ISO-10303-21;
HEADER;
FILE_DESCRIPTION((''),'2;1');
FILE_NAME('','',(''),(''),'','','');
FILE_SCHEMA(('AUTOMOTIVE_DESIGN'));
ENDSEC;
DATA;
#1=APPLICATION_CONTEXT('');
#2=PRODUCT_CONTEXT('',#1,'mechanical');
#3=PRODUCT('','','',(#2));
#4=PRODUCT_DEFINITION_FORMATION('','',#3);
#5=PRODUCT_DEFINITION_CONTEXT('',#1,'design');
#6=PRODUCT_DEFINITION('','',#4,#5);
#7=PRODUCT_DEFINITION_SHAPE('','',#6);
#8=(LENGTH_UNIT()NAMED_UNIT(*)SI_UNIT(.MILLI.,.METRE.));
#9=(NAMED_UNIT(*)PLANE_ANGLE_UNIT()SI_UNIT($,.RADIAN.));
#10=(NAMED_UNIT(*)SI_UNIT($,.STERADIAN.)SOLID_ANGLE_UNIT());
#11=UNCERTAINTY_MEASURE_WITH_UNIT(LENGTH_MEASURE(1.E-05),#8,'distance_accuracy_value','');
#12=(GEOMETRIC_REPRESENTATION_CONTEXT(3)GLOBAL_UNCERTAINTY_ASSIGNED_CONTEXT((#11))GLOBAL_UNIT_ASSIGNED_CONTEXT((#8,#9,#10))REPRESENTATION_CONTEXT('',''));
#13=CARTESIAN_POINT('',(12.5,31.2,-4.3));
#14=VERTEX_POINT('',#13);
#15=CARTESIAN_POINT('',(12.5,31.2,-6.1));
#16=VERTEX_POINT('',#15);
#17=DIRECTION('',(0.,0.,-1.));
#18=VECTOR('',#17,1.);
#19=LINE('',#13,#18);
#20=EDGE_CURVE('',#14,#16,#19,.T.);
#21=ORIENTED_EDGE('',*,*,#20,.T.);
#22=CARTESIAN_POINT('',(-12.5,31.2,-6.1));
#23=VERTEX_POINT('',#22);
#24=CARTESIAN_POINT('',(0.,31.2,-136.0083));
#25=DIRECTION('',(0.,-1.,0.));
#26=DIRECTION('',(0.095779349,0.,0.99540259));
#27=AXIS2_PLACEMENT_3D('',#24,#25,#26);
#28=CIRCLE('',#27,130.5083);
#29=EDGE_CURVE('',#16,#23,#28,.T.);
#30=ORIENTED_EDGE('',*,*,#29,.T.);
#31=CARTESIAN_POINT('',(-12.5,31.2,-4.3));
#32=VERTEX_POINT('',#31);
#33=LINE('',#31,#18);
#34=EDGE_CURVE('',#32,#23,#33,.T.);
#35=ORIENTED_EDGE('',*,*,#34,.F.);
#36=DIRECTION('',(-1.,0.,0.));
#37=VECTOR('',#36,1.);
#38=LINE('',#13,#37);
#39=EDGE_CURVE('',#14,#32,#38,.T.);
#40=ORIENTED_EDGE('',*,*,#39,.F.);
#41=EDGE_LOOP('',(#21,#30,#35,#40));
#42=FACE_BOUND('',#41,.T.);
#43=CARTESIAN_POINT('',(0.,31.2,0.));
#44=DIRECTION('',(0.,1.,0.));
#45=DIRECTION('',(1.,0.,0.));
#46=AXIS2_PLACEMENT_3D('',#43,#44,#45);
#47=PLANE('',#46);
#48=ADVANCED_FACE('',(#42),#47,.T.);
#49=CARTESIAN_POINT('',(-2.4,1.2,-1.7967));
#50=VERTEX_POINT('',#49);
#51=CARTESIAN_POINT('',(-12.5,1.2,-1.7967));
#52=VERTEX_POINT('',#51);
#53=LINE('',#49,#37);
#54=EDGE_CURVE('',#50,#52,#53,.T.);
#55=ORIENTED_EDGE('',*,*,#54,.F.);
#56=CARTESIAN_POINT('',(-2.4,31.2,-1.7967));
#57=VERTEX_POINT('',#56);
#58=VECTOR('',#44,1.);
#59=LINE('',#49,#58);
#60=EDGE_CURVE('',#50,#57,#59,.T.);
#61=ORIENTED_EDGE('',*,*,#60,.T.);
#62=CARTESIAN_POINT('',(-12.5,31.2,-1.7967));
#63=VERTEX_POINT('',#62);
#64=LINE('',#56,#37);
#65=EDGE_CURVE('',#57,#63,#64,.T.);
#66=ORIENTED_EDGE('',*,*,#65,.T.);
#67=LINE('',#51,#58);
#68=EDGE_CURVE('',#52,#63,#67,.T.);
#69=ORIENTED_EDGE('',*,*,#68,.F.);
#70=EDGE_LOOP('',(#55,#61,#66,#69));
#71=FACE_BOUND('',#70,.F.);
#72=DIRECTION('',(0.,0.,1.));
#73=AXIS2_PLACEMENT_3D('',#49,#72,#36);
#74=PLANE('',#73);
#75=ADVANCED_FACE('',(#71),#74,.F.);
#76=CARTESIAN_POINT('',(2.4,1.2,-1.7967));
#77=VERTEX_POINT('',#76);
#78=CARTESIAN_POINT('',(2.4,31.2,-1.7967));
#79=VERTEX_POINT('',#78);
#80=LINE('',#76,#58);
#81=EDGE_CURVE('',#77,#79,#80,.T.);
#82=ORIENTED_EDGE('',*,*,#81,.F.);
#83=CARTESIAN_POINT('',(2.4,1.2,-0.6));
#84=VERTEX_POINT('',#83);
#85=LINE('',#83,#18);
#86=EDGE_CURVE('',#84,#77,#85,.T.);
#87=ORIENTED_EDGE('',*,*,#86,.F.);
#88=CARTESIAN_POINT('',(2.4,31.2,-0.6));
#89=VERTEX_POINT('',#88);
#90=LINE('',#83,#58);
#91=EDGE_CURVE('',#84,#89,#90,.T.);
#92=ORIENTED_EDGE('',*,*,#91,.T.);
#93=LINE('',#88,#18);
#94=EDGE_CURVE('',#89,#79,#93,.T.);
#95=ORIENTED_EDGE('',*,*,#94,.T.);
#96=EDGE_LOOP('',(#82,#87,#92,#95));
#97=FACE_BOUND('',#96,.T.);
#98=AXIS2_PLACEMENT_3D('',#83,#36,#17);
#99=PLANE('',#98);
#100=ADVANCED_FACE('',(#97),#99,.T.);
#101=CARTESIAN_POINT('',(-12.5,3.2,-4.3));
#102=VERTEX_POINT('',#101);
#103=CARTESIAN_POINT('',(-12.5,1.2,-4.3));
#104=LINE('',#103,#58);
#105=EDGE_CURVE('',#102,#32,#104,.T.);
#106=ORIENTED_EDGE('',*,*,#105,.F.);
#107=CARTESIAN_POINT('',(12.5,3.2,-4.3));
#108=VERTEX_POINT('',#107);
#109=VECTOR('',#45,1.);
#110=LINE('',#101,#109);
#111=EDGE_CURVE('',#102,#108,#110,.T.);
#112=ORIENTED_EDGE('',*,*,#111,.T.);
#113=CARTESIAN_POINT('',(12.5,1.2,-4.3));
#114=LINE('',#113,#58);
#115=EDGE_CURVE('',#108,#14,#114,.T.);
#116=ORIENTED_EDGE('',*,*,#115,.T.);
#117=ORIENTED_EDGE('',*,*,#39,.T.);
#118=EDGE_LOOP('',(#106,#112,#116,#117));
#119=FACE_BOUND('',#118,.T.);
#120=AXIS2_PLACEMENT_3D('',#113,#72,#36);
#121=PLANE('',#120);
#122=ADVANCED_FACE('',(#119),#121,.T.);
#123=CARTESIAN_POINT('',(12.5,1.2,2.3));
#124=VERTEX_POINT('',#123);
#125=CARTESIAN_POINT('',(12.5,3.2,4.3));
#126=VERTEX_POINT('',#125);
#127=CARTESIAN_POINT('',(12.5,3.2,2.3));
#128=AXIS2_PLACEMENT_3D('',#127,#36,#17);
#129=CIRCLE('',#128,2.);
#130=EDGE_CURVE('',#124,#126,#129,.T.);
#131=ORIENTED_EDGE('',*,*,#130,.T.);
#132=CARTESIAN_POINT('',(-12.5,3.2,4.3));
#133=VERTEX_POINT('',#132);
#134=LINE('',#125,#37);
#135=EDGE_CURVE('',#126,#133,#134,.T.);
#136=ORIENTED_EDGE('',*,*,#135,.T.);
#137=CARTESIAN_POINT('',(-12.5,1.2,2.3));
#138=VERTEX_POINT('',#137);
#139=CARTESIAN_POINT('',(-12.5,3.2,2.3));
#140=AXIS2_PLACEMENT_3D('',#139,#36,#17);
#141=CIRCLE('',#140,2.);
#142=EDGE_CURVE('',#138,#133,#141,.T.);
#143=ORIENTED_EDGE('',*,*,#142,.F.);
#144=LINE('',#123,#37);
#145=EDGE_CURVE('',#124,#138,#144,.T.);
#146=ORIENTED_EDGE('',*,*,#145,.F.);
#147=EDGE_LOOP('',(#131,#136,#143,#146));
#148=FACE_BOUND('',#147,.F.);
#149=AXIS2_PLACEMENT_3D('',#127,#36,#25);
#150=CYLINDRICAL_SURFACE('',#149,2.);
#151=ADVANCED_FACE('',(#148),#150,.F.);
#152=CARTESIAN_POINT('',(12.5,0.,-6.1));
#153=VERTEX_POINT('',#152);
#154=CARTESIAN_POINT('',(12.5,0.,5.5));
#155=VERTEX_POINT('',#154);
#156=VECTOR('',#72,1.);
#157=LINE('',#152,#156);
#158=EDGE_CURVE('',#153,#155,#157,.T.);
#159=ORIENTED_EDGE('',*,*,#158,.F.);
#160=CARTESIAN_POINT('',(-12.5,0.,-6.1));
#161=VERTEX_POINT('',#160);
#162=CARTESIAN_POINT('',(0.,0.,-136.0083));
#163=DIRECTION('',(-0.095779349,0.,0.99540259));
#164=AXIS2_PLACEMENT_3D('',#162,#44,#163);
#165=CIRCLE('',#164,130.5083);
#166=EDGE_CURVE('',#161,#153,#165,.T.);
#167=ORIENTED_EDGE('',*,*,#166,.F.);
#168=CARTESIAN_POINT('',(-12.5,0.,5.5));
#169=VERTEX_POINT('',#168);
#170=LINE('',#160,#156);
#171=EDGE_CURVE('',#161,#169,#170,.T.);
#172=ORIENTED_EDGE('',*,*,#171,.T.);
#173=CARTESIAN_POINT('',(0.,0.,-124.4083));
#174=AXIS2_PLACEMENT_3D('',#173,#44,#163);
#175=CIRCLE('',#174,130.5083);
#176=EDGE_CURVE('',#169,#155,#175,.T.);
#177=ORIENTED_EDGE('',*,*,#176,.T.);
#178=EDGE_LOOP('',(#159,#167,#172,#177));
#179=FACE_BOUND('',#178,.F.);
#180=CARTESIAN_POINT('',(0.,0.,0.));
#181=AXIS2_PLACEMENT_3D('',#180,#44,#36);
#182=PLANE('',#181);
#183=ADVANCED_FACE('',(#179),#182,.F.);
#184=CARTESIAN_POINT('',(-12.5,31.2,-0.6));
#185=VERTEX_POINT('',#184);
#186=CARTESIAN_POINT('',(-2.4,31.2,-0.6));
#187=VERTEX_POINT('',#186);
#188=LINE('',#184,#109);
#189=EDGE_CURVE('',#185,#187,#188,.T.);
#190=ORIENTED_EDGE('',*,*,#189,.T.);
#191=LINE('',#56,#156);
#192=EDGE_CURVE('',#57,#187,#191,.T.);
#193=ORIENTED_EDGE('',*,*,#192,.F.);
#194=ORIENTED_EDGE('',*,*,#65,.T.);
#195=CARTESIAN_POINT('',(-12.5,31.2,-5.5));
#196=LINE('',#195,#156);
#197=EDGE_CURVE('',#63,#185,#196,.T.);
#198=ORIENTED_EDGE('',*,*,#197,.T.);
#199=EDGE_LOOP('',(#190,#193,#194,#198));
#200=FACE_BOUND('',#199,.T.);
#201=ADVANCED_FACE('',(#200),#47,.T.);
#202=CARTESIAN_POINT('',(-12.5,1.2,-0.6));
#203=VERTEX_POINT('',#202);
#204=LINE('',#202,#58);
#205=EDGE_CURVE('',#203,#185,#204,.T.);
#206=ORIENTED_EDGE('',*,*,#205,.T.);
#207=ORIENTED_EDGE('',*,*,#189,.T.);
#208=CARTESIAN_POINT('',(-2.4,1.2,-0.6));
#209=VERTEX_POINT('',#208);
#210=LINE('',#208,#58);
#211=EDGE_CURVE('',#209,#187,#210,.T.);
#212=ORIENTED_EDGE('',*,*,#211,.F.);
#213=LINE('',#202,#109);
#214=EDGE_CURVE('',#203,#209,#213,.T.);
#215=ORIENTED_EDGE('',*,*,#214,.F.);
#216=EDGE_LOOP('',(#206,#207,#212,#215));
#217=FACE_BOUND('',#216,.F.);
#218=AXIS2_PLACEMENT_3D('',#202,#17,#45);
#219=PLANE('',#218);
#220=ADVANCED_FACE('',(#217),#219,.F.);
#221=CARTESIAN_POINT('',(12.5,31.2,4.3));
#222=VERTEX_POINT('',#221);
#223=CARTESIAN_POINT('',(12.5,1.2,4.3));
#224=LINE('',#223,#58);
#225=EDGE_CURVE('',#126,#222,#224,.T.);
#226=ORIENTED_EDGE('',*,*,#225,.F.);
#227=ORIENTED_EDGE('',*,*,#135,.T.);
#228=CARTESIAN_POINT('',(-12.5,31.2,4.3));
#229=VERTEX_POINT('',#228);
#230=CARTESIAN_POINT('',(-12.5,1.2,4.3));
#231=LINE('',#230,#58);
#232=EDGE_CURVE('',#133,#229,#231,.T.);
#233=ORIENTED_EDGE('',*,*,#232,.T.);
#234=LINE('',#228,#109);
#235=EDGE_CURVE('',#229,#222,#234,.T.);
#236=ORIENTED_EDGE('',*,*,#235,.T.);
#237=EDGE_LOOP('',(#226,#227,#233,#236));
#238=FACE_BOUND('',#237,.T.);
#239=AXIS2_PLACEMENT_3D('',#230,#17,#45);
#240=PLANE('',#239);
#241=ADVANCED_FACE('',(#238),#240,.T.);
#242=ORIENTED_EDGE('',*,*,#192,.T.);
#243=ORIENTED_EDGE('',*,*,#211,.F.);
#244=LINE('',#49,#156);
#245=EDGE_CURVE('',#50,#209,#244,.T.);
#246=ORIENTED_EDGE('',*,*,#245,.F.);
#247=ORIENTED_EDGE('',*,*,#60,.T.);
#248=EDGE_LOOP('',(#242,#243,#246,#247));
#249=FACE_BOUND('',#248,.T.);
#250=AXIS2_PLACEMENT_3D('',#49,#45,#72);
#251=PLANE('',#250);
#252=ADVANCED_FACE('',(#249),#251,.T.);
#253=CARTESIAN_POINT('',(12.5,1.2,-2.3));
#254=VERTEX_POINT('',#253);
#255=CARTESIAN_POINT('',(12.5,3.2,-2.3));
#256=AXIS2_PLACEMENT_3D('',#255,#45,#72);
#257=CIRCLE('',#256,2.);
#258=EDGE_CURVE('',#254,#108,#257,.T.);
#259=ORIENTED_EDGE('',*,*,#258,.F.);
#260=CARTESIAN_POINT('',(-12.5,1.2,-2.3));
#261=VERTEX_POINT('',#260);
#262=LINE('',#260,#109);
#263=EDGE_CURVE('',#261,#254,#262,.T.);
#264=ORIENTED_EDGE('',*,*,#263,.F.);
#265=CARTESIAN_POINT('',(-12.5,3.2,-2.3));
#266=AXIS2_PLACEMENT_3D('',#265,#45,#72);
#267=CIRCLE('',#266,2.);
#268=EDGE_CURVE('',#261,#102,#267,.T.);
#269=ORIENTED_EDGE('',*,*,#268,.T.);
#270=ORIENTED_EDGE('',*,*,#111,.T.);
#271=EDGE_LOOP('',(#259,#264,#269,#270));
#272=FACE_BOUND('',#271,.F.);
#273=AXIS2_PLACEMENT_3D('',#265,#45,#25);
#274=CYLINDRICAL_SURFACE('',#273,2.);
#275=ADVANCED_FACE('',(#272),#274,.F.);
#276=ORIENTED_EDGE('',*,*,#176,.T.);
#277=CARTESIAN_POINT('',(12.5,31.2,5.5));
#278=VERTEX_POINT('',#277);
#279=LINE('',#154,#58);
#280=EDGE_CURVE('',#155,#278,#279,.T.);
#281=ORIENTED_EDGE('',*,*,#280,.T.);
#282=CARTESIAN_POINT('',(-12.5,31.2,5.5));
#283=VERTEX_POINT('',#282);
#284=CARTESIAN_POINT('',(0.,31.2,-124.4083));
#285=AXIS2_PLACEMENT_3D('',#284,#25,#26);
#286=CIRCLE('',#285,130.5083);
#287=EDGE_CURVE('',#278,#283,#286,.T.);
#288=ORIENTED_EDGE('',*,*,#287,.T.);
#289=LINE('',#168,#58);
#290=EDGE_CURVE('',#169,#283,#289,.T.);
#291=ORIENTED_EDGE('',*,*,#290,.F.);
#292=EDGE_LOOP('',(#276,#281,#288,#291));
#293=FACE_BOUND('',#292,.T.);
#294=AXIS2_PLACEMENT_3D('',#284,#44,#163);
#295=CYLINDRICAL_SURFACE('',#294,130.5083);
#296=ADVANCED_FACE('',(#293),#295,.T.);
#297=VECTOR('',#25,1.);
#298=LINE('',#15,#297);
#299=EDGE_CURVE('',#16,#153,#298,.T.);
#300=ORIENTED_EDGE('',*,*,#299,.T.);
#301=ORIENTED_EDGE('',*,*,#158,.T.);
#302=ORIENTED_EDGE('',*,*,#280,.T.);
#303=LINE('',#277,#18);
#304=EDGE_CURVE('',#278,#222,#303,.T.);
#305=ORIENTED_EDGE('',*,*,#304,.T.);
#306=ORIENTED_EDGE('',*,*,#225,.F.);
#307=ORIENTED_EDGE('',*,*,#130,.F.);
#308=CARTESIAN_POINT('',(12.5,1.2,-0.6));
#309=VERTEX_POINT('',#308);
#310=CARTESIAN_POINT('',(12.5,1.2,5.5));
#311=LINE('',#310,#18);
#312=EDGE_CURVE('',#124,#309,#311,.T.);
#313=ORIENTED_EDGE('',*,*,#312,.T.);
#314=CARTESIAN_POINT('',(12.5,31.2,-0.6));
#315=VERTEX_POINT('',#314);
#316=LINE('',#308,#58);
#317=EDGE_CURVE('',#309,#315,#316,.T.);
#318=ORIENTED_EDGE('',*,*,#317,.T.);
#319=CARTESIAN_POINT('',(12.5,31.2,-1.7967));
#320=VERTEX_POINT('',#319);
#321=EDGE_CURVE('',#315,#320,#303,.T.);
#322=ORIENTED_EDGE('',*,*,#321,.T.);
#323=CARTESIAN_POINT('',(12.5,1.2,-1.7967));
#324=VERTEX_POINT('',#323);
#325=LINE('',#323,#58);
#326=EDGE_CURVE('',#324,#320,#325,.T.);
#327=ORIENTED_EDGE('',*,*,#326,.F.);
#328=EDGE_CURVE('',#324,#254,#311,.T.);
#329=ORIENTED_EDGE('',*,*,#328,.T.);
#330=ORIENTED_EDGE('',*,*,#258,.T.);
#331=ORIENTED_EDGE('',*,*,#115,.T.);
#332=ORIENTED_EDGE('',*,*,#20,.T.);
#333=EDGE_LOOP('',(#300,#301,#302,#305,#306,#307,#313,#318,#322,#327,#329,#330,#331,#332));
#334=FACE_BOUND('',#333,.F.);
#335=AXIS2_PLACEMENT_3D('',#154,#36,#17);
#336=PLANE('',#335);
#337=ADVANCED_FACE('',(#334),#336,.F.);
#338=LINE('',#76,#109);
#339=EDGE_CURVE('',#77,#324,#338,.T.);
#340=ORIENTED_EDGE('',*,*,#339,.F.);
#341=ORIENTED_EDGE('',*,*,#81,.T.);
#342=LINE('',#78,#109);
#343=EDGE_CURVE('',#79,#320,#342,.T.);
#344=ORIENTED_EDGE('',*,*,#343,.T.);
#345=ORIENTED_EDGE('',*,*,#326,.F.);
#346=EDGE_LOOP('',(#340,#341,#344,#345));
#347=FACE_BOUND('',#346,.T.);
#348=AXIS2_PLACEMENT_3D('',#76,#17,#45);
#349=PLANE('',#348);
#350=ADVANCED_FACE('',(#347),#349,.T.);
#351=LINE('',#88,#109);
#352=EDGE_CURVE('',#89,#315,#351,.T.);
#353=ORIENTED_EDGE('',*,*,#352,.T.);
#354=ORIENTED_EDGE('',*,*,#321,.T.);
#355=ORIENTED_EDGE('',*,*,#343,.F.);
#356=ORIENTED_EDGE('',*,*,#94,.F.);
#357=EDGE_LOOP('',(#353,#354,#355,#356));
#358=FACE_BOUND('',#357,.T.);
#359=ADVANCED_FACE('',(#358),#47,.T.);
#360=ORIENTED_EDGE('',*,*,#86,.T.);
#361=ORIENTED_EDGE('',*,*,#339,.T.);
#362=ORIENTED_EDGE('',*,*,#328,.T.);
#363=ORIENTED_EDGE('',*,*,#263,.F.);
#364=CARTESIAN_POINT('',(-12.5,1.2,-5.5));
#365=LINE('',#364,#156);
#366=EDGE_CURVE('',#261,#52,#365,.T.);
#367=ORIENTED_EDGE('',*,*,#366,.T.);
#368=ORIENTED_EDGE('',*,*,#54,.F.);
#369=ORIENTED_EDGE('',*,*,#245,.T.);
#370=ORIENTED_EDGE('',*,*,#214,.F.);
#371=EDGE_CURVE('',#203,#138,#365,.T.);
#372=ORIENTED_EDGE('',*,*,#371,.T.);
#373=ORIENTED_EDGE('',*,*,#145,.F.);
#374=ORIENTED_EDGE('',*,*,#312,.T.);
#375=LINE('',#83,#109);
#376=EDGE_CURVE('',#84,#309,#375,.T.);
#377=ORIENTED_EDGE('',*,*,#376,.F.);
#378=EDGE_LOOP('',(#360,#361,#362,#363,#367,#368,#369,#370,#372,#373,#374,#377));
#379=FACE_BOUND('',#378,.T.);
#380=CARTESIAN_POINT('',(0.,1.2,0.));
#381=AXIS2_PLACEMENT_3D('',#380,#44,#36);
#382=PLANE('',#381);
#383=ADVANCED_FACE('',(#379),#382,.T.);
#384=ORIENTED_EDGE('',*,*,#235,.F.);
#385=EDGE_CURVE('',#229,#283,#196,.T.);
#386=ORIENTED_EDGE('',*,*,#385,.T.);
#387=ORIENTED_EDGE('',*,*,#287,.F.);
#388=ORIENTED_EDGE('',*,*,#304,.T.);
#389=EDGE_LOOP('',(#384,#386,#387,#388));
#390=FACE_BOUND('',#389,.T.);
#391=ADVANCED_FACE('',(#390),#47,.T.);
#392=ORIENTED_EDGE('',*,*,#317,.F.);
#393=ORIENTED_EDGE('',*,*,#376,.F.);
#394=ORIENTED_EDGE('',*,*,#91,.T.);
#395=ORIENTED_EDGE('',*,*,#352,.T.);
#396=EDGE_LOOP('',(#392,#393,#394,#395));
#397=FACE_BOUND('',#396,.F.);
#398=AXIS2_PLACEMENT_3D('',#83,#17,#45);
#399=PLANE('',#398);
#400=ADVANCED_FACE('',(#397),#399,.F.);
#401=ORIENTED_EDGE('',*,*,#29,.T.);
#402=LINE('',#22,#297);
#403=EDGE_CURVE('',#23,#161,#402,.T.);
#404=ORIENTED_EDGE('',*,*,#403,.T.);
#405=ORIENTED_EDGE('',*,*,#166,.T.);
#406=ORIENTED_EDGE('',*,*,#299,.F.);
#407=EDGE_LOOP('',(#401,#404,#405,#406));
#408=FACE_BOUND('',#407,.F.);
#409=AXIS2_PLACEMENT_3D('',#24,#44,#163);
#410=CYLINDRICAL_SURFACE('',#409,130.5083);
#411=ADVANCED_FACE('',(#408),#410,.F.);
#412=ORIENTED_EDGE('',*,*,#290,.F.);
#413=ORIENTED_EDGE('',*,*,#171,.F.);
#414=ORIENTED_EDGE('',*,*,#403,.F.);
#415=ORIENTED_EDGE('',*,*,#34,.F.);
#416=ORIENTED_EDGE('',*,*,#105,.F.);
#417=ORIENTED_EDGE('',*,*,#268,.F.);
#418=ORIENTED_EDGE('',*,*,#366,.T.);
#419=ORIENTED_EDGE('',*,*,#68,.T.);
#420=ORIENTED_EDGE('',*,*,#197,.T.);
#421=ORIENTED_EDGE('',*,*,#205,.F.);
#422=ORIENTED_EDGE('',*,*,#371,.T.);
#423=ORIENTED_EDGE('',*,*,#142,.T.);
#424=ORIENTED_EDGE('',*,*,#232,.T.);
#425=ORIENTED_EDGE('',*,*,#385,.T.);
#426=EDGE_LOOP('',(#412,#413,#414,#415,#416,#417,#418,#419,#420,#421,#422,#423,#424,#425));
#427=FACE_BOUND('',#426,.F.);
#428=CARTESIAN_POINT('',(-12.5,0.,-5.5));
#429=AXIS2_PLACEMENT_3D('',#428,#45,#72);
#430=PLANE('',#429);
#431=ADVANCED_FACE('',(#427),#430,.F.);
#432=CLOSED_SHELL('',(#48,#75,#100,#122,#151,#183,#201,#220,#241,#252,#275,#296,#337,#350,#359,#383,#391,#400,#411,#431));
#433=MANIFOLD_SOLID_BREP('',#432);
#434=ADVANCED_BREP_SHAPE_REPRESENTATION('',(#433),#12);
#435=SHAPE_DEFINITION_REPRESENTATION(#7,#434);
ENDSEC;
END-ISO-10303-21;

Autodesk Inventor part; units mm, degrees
ref_plane "YZ Plane" through (0, 0, 0) normal (1, 0, 0) x (0, 1, 0)
ref_plane "XZ Plane" through (0, 0, 0) normal (0, 1, 0) x (-1, 0, 0)
ref_plane "XY Plane" through (0, 0, 0) normal (0, 0, 1) x (1, 0, 0)
sketch "Sketch1" plane through (0, 0, 0) normal (0, 1, 0) x (-1, 0, 0)
  line L0 (12.5, 5.5) -> (-12.5, 5.5)
  line L1 (-12.5, 5.5) -> (-12.5, -5.5)
  line L2 (-12.5, -5.5) -> (12.5, -5.5)
  line L3 (12.5, -5.5) -> (12.5, 5.5)
  line L4 (12.5, 5.5) -> (-12.5, -5.5) construction
  line L5 (-12.5, 5.5) -> (12.5, -5.5) construction
  point P0 (0, 0)
  dimension "d0" = 25
  dimension "d1" = 11
extrude "Extrusion1" add sketch "Sketch1" along normal blind 1.2
sketch "Sketch2" plane through (0, 1.2, 0) normal (0, 1, 0) x (1, 0, 0)
  line L0 (-12.5, 5.5) -> (12.5, 5.5)
  line L1 (12.5, 5.5) -> (12.5, 4.3)
  line L2 (12.5, 4.3) -> (-12.5, 4.3)
  line L3 (-12.5, 4.3) -> (-12.5, 5.5)
  line L4 (0, 4.3) -> (0, 1.8)
  line L5 (-12.5, 5.5) -> (-12.5, -5.5) projected
  line L6 (-12.5, 5.5) -> (-12.5, -5.5) projected
  line L7 (0, 0.6) -> (0, -4.3)
  line L8 (-12.5, -4.3) -> (12.5, -4.3)
  line L9 (12.5, -5.5) -> (12.5, -4.3)
  line L10 (-12.5, -4.3) -> (-12.5, -5.5)
  line L11 (-12.5, -5.5) -> (12.5, -5.5)
  line L12 (-2.4, 1.7967) -> (-2.4, 0.6)
  line L13 (-2.4, 0.6) -> (2.4, 0.6)
  line L14 (2.4, 0.6) -> (2.4, 1.7967)
  line L15 (-2.4, 1.7967) -> (2.4, 0.6) construction
  line L16 (-2.4, 0.6) -> (2.4, 1.7967) construction
  line L17 (-2.4, 1.7967) -> (-12.5, 1.7967)
  line L18 (-12.5, 0.6) -> (-12.5, 1.7967)
  line L19 (-12.5, 0.6) -> (-2.4, 0.6)
  line L20 (2.4, 1.7967) -> (12.5, 1.7967)
  line L21 (12.5, -5.5) -> (12.5, 5.5) projected
  line L22 (2.4, 0.6) -> (12.5, 0.6)
  line L23 (12.5, 0.6) -> (12.5, 1.7967)
  point P0 (0, 0)
  point P1 (0, 1.1983)
  dimension "d4" = 1.2
  dimension "d5" = 2.5
  dimension "d7" = 4.9
  dimension "d11" = 4.8
extrude "Extrusion2" add sketch "Sketch2" along normal blind 30 contours L0 L1 L2 L3 | L17 L12 L19 L5 | L21 L22 L14 L20 | L8 L9 L11 L5
fillet "Fillet1" radius 2 2 edges at (0, 1.2, 4.3) (0, 1.2, -4.3)
sketch "Sketch3" plane through (0, 31.2, 0) normal (0, 1, 0) x (1, 0, 0)
  line L0 (12.5, 5.5) -> (-12.5, 5.5) projected
  line L1 (0, 5.5) -> (0, 6.1)
  arc A0 (-12.5, 6.1) -> (12.5, 6.1) centre (0, 136.0083) ccw
  line L2 (-12.5, 6.1) -> (-12.5, 5.5)
  line L3 (12.5, 6.1) -> (12.5, 5.5)
  line L4 (-12.5, -5.5) -> (12.5, -5.5) projected
  line L5 (0, -5.5) -> (0, -6.1)
  arc A1 (-12.5, -5.5) -> (12.5, -5.5) centre (0, 124.4083) ccw
  point P0 (0, 0)
  dimension "d13" = 0.6
  dimension "d14" = 0.6
extrude "Extrusion3" add sketch "Sketch3" against normal blind 31.2
properties part number "HanesBand-Adjuster"
